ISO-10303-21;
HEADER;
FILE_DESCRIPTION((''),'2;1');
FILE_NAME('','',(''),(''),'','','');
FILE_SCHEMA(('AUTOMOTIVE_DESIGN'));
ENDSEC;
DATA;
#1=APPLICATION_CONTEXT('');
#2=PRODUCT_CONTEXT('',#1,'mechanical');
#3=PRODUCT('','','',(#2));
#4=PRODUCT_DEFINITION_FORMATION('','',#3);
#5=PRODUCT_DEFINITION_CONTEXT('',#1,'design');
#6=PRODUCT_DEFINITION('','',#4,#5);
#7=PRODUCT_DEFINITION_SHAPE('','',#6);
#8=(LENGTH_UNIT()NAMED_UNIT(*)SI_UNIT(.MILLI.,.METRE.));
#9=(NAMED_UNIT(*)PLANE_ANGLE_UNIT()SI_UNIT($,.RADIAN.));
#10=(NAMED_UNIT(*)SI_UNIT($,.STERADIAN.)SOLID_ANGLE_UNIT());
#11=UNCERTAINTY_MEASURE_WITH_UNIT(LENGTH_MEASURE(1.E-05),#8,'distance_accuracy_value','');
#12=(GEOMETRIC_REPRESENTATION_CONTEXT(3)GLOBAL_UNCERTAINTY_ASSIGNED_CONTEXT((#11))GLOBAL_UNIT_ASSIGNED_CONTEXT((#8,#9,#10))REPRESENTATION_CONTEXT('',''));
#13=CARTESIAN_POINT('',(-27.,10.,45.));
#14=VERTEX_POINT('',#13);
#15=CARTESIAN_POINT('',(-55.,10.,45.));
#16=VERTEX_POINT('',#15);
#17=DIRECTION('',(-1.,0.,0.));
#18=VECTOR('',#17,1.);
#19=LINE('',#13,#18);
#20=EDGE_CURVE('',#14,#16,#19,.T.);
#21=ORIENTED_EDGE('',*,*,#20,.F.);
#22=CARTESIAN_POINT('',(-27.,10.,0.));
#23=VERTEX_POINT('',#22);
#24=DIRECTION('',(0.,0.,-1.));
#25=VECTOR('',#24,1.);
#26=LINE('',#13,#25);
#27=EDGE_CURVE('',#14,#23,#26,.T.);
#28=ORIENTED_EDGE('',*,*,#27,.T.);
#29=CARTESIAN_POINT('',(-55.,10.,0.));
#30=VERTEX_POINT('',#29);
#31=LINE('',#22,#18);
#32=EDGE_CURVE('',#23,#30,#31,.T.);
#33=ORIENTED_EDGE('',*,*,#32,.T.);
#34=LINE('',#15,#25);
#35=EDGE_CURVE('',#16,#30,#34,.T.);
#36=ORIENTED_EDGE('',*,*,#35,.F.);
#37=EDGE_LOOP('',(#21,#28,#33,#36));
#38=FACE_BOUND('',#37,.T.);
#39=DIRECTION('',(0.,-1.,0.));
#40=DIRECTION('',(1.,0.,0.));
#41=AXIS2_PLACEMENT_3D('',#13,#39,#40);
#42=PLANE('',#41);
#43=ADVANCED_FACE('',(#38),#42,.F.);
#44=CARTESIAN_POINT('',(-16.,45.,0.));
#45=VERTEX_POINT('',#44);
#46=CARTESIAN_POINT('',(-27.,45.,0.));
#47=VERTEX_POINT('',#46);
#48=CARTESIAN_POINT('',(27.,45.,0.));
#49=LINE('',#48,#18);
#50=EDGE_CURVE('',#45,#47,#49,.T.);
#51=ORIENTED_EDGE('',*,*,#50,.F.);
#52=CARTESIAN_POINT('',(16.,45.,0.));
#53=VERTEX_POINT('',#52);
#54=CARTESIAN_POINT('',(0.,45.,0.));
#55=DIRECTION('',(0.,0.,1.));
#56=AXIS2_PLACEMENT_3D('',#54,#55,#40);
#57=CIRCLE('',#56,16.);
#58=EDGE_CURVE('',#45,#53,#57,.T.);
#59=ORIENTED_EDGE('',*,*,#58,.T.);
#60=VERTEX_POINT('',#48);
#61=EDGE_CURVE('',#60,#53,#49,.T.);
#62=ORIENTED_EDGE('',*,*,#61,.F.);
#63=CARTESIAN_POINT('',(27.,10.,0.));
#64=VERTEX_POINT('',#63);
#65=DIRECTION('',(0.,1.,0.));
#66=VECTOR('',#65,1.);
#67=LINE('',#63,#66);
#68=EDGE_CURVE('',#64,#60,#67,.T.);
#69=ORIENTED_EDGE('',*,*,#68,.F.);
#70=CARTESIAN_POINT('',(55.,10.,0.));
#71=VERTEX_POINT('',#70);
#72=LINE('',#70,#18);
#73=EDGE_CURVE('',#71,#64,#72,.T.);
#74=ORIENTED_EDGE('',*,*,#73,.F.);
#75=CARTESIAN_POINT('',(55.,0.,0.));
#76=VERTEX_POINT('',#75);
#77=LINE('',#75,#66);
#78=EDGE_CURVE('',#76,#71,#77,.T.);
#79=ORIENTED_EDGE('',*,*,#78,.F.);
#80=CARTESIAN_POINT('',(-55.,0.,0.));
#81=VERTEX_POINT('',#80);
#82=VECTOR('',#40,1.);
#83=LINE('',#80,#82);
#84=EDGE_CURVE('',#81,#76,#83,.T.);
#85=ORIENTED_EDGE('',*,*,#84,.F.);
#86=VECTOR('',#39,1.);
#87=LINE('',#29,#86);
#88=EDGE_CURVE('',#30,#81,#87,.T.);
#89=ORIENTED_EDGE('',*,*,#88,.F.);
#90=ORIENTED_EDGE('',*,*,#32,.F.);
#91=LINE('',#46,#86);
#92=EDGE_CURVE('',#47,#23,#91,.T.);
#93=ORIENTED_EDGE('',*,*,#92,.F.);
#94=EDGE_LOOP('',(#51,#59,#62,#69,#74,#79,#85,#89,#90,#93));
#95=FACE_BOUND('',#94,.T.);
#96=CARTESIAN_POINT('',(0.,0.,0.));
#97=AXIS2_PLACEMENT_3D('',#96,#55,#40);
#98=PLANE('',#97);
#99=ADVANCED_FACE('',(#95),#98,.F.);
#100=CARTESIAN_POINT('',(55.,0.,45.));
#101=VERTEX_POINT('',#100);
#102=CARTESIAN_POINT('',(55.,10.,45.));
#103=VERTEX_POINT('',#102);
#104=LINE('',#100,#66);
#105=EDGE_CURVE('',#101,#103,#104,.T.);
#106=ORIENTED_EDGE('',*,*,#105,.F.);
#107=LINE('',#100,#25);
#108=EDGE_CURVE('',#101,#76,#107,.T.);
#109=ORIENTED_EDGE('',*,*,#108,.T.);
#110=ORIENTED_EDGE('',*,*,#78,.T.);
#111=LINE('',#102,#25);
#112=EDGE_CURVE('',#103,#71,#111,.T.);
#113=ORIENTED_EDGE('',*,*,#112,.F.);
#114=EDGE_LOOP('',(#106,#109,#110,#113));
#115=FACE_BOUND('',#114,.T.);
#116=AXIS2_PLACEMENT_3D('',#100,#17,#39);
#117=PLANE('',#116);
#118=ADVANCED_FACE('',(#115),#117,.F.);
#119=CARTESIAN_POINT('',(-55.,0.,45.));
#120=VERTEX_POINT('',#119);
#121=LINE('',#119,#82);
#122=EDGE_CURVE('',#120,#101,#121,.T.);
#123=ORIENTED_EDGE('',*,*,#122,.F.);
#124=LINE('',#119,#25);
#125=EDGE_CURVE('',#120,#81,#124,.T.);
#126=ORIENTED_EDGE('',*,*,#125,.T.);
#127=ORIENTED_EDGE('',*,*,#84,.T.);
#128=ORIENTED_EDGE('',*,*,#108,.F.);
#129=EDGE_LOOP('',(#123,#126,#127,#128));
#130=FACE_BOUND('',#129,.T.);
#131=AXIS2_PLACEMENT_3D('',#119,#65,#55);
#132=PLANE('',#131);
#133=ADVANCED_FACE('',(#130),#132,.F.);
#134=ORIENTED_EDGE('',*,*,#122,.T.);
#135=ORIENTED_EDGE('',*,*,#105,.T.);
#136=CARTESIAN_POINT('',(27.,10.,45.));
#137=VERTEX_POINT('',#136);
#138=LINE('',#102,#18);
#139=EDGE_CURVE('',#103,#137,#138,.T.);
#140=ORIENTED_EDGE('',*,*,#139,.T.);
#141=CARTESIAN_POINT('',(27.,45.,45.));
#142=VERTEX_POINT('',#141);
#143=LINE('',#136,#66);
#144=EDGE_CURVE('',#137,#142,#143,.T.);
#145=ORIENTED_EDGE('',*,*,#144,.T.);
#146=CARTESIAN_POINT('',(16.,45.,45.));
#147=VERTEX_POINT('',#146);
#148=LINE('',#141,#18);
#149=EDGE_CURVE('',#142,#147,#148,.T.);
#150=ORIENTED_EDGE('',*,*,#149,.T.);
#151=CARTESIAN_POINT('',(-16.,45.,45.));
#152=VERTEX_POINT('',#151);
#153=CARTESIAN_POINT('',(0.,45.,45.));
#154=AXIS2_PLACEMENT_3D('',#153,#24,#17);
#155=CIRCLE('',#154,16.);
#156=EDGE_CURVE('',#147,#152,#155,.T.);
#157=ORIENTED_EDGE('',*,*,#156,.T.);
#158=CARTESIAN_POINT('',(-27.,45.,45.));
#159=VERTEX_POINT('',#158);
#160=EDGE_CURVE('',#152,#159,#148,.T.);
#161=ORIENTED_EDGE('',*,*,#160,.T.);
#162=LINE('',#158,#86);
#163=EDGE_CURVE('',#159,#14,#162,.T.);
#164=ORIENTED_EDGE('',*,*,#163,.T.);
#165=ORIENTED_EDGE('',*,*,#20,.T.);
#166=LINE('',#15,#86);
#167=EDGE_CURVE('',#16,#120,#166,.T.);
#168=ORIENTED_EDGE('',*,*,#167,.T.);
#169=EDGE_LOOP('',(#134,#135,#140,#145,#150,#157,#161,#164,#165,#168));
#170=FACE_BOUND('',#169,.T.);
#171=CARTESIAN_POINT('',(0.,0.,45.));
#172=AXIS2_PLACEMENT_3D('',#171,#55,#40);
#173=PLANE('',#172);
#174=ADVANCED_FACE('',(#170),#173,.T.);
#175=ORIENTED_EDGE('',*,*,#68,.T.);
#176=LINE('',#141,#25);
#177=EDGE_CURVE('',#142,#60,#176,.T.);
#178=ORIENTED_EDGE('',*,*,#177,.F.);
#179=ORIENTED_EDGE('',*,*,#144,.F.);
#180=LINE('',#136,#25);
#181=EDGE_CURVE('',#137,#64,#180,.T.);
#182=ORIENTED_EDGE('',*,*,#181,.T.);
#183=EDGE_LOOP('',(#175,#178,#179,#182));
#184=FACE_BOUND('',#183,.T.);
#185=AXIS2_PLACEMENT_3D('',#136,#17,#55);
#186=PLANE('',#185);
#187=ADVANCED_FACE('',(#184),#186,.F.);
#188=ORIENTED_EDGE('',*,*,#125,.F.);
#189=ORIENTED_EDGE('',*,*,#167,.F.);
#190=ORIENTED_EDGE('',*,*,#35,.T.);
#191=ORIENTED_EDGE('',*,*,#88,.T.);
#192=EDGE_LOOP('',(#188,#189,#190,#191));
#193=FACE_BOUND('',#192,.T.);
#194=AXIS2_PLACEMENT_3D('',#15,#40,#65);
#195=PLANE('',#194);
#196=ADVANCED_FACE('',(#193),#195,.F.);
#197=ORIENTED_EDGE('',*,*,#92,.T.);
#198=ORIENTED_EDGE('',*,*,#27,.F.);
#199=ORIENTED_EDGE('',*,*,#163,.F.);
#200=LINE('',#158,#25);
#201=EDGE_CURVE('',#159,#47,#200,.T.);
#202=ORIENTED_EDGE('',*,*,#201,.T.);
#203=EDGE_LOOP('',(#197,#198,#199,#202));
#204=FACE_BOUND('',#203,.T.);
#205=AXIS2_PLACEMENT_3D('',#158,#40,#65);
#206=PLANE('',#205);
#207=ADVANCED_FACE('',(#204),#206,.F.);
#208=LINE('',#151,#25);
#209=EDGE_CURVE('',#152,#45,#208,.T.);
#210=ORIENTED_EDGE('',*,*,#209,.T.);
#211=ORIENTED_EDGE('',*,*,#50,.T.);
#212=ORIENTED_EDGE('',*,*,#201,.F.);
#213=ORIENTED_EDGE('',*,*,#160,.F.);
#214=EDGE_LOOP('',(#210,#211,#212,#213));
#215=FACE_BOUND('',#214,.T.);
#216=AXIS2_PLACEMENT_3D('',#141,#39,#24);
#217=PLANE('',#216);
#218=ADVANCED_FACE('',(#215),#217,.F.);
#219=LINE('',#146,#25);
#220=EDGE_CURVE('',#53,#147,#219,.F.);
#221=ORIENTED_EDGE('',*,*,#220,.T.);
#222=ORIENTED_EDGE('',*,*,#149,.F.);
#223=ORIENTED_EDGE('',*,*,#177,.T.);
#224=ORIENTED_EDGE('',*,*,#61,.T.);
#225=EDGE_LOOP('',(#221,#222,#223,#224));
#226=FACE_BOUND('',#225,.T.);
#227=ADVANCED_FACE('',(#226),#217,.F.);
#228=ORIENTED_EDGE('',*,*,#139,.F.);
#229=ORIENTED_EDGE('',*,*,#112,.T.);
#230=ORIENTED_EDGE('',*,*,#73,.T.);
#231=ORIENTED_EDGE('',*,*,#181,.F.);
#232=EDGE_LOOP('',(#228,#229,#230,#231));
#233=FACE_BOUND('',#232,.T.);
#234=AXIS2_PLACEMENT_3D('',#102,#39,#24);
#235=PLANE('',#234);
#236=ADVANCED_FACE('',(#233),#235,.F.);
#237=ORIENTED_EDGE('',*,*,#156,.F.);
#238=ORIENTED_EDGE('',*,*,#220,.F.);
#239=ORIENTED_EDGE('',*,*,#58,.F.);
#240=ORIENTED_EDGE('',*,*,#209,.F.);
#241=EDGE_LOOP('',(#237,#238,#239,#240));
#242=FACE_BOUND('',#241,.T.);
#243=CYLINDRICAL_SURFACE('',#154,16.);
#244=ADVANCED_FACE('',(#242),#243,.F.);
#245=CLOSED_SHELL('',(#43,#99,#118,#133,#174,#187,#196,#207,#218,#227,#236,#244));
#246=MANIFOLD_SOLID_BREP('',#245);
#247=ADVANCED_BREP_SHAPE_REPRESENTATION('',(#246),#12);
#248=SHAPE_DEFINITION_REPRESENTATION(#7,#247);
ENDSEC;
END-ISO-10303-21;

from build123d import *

# Parameters (mm, degrees)
EXTRUDE_1_DEPTH     = 45
SKETCH_2_R          = 16
CUT_EXTRUDE_1_DEPTH = 85.113019206


with BuildPart() as part:
    # 스케치1 → 보스-돌출1 (new body)
    with BuildSketch(Plane.XY):
        Polygon((-55, 0), (55, 0), (55, 10), (27, 10), (27, 45), (-27, 45), (-27, 10), (-55, 10), align=None)
    extrude(amount=EXTRUDE_1_DEPTH)

    # 스케치2 → 컷-돌출1 (cut, through all)
    with BuildSketch(Plane(origin=(0, 0, 0), x_dir=(-1, 0, 0), z_dir=(0, 0, -1))):
        with Locations((0, 45)):
            Circle(SKETCH_2_R)
    extrude(amount=-CUT_EXTRUDE_1_DEPTH, mode=Mode.SUBTRACT)


solid = part.part
